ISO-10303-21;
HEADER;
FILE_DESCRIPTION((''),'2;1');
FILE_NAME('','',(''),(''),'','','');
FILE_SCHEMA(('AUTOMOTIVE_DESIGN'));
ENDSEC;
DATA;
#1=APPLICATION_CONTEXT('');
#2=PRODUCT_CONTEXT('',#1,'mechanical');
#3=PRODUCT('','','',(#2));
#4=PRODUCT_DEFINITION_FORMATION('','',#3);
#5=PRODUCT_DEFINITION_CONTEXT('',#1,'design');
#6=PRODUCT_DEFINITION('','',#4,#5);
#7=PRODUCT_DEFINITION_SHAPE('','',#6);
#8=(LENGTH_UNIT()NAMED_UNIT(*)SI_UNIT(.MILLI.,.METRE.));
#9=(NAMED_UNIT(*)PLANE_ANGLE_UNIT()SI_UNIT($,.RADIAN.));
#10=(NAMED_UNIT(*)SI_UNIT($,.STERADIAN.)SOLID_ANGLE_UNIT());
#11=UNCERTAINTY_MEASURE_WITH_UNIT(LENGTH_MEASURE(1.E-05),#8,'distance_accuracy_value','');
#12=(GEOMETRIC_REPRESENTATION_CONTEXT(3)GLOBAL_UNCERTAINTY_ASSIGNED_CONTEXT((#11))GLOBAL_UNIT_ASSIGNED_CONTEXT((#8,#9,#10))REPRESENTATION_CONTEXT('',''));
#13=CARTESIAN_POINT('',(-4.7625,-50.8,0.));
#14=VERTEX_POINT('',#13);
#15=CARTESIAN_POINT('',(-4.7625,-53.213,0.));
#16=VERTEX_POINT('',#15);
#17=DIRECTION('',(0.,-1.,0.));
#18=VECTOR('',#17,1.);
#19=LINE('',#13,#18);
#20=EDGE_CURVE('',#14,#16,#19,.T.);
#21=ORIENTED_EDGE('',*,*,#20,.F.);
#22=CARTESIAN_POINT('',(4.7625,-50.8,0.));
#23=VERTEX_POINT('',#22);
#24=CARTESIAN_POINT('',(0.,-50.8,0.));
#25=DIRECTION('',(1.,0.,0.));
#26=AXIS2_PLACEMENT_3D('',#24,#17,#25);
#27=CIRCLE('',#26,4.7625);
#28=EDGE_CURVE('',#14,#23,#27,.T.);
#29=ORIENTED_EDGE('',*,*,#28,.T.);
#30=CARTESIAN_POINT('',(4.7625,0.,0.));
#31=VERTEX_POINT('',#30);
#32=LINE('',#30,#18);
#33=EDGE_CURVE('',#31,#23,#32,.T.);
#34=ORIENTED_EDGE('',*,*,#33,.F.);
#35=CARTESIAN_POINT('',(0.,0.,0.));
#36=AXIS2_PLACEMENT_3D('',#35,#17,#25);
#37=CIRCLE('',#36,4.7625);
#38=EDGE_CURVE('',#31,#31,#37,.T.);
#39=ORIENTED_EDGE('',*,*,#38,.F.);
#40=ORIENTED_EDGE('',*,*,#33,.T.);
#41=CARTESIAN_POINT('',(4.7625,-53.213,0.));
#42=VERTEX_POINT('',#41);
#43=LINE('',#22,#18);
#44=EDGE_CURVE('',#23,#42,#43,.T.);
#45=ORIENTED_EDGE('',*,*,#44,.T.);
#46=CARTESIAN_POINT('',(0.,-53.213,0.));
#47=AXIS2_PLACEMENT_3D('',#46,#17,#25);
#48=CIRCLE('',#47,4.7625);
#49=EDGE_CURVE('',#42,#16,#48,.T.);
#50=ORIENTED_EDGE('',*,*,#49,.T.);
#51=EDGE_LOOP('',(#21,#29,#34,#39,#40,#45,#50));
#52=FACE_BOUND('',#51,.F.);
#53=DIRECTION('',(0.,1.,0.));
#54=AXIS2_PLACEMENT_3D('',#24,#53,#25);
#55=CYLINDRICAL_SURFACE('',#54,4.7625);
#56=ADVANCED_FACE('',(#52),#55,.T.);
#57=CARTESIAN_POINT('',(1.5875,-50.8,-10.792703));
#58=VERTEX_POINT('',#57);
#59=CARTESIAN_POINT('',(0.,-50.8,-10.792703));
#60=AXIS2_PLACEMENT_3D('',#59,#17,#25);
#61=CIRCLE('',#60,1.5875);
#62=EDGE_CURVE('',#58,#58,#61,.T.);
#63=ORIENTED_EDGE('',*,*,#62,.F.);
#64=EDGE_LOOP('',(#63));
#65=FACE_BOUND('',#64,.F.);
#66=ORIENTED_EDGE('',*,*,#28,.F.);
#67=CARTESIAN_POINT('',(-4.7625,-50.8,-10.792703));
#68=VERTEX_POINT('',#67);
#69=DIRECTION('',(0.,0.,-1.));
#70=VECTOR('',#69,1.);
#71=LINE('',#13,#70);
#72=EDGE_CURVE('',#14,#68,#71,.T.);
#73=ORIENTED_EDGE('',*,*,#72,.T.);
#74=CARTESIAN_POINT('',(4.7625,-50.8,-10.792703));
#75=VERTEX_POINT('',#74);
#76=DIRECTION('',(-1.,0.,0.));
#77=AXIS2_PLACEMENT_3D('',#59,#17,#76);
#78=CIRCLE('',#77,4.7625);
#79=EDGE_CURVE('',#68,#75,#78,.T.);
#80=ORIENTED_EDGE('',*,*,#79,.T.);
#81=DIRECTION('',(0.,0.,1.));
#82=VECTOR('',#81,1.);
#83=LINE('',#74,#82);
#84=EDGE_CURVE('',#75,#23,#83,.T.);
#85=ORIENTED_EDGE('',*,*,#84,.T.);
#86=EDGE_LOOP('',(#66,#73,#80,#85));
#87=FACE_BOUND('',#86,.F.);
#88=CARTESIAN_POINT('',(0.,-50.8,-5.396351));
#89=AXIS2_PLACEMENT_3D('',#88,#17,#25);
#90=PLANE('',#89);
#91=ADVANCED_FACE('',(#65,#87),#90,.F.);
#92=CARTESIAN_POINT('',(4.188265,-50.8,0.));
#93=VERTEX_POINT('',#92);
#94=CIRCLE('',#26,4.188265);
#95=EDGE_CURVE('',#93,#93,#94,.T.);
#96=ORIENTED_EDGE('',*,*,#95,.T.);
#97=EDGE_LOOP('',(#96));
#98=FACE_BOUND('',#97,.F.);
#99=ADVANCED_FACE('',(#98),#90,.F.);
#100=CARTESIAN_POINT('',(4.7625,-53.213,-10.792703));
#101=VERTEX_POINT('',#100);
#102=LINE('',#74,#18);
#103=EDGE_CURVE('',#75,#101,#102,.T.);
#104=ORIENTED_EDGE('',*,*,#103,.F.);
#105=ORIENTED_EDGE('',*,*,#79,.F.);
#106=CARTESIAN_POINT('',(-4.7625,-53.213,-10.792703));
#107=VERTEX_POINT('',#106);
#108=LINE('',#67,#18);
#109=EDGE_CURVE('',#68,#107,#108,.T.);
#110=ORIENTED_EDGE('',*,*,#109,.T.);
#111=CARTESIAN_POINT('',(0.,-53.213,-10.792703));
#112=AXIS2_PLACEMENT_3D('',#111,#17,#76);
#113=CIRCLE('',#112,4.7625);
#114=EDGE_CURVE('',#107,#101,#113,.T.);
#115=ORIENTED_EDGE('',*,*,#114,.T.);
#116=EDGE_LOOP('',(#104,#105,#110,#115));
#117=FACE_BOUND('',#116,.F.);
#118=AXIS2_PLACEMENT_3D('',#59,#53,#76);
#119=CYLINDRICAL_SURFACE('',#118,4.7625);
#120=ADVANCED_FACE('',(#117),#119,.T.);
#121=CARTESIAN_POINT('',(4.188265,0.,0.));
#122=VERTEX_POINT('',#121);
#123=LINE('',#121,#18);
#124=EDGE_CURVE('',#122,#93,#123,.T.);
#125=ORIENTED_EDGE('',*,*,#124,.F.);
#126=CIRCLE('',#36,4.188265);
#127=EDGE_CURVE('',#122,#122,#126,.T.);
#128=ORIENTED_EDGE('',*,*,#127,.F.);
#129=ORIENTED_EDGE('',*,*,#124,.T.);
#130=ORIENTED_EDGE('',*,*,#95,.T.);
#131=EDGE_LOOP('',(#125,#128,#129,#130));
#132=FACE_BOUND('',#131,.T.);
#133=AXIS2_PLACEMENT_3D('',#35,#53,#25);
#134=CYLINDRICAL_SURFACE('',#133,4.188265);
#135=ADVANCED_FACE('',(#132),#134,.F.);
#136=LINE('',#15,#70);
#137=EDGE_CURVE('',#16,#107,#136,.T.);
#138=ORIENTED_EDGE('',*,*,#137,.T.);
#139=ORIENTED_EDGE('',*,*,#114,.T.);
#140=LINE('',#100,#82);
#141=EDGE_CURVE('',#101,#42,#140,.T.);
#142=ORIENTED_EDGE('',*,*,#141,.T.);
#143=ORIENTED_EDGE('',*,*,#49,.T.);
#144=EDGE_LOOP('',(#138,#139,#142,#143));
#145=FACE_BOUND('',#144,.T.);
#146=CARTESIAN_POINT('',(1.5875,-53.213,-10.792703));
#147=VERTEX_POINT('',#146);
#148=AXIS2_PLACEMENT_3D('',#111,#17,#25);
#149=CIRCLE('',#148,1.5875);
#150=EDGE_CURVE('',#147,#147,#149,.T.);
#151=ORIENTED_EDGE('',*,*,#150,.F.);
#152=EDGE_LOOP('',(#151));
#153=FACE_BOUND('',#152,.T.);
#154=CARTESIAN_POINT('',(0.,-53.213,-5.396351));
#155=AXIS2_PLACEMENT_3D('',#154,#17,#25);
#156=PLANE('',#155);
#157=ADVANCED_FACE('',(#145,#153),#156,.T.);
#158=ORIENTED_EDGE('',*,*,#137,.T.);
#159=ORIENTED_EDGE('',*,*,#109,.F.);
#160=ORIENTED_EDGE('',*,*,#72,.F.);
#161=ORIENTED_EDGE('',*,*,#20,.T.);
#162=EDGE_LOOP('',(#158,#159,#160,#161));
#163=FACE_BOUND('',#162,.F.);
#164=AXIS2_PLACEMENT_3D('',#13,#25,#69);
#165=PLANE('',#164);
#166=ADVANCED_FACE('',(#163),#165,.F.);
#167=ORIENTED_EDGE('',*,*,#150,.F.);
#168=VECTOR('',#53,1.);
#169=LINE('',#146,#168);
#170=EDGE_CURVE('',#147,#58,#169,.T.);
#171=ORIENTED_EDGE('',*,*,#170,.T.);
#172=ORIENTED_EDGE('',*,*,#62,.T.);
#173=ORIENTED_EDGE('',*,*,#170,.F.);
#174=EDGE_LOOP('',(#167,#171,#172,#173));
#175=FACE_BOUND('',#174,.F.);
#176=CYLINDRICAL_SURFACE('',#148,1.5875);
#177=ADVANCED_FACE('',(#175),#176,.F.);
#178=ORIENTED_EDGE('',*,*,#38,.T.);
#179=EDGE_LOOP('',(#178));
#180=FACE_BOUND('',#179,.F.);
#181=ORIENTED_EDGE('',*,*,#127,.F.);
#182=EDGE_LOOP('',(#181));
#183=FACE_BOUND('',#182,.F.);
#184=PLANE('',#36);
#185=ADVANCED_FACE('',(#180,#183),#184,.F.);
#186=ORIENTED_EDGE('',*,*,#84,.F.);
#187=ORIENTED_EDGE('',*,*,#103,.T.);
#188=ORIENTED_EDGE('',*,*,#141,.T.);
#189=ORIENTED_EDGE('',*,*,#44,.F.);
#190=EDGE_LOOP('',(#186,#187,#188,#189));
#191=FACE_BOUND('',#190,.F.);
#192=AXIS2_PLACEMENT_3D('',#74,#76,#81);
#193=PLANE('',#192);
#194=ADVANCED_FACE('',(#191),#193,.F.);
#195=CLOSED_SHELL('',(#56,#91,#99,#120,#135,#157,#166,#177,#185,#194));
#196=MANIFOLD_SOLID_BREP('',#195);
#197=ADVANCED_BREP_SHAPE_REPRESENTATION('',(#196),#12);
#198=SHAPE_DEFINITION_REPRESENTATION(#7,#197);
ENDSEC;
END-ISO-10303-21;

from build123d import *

# Parameters (mm, degrees)
F0_R     = 4.7625
F0_R_2   = 4.188265
F1_DEPTH = 50.8
F3_DEPTH = 2.413
F4_R     = 1.5875
F5_DEPTH = 53.214


with BuildPart() as f1:
    # F0 (on Front) → F1 (new body)
    with BuildSketch(Plane.XZ):
        Circle(F0_R)
        Circle(F0_R_2, mode=Mode.SUBTRACT)
    extrude(amount=F1_DEPTH)

    # F2 (on face) → F3 (join)
    with BuildSketch(Plane.XZ.offset(50.8)):
        with BuildLine():
            Line((4.7625, -10.792703), (4.7625, 0))
            ThreePointArc((4.7625, 0), (0, 4.7625), (-4.7625, 0))
            Line((-4.7625, 0), (-4.7625, -10.792703))
            ThreePointArc((-4.7625, -10.792703), (0, -15.555203), (4.7625, -10.792703))
        make_face()
    extrude(amount=F3_DEPTH)

    # F4 (on face) → F5 (cut, through all)
    with BuildSketch(Plane.XZ.offset(53.213)):
        with Locations((0, -10.792703)):
            Circle(F4_R)
    extrude(amount=-F5_DEPTH, mode=Mode.SUBTRACT)


solid = f1.part
